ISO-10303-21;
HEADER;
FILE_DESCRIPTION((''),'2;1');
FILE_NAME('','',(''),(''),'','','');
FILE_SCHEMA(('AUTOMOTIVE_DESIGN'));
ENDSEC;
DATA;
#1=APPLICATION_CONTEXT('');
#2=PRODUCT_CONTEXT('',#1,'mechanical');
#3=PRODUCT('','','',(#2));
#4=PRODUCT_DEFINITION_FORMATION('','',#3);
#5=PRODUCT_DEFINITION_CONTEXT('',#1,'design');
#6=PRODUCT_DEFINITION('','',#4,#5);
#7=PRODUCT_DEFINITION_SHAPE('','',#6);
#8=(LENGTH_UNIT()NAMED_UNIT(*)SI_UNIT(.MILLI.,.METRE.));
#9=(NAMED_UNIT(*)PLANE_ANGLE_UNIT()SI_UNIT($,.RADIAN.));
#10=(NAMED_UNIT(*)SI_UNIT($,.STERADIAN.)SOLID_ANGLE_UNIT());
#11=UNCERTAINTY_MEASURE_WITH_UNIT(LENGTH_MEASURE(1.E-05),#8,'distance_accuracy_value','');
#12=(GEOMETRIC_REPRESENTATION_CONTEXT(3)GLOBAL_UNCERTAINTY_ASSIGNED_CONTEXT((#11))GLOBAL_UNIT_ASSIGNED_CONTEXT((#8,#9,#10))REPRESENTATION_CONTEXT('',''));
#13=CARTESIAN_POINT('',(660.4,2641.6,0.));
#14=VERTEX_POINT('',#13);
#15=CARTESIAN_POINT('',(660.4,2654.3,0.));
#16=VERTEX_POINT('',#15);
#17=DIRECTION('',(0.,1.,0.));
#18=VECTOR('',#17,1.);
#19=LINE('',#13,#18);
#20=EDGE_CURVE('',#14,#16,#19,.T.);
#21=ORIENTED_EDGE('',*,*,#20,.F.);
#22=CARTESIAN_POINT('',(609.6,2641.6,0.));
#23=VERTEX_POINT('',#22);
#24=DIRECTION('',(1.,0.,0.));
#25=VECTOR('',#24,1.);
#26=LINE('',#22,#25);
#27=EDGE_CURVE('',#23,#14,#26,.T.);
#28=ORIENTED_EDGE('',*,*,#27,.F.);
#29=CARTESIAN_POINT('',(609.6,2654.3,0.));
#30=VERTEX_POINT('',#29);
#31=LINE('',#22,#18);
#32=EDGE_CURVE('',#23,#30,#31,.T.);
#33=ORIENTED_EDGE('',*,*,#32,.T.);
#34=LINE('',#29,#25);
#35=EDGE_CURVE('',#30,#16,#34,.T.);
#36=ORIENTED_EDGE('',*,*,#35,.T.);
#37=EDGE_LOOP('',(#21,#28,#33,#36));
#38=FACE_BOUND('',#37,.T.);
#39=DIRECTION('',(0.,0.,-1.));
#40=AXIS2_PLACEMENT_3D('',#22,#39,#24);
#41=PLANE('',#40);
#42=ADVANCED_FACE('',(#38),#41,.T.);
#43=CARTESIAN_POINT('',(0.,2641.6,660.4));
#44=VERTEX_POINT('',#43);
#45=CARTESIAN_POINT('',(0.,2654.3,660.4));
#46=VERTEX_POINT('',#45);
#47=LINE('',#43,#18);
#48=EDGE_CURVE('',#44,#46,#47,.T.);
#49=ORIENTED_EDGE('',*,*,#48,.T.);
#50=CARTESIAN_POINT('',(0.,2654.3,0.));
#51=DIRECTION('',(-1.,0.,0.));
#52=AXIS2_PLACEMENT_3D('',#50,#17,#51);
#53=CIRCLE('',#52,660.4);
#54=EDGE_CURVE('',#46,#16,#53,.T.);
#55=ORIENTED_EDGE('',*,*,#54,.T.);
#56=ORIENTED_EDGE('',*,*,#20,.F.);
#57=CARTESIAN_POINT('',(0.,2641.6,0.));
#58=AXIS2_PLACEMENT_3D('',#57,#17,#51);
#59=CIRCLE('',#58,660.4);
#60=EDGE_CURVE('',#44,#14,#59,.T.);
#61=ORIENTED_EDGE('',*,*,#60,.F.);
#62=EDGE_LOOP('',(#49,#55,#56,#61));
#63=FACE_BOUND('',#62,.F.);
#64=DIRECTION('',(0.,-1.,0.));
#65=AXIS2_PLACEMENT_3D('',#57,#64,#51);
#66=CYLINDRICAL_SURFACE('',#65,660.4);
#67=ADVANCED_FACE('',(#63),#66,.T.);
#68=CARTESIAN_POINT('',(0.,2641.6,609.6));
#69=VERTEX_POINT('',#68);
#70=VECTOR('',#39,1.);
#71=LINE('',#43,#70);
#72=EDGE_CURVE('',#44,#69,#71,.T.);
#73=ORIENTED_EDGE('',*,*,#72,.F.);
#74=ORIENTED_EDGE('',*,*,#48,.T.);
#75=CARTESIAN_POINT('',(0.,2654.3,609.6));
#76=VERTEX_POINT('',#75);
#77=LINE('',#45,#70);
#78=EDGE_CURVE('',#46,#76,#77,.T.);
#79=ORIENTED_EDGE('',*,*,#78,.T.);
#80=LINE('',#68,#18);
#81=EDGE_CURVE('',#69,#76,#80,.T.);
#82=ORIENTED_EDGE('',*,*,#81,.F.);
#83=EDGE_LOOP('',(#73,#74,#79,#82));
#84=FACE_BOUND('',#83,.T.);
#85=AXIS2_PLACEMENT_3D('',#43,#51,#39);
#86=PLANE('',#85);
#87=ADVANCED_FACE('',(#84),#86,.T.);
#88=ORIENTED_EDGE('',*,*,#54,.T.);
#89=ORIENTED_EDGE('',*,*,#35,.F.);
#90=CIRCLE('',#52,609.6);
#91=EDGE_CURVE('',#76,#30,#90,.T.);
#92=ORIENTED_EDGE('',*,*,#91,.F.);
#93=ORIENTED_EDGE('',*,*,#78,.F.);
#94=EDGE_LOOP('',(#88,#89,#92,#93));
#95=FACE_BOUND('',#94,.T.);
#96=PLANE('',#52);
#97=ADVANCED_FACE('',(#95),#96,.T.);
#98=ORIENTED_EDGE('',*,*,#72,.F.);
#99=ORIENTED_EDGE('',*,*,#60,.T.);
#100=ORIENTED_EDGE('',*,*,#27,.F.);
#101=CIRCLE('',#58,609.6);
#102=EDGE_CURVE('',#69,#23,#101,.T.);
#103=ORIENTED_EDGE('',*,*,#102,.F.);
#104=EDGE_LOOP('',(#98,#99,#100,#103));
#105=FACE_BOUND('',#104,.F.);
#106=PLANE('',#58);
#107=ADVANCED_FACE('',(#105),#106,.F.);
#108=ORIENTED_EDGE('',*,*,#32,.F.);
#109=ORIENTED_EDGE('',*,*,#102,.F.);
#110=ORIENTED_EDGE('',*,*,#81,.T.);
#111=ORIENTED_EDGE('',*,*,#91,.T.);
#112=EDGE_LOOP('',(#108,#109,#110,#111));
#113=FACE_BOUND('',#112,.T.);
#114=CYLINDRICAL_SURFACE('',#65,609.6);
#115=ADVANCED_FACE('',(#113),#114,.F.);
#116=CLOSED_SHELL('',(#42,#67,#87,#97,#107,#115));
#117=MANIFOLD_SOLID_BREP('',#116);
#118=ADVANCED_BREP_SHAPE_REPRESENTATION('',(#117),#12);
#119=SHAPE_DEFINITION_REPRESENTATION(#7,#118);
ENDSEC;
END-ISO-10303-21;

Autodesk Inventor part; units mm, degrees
ref_plane "YZ Plane" through (0, 0, 0) normal (1, 0, 0) x (0, 1, 0)
ref_plane "XY Plane" through (0, 0, 0) normal (0, 0, 1) x (1, 0, 0)
ref_plane "Work Plane1" through (0, 2641.6, 0) normal (0, 1, 0) x (-1, 0, 0)
sketch "Sketch1" plane through (0, 2641.6, 0) normal (0, 1, 0) x (-1, 0, 0)
  circle A0 centre (0, 0) radius 609.6
  circle A1 centre (0, 0) radius 660.4
  line L0 (0, 660.4) -> (0, 609.6)
  line L1 (-609.6, 0) -> (-660.4, 0)
  dimension "d1" = 1219.2
  dimension "d2" = 1320.8
extrude "Extrusion1" add sketch "Sketch1" along normal blind 12.7 contours A0 L1 A1 L0 picked at (-643.1438, 11.9178)
properties part number "UpperSemiCircle"
